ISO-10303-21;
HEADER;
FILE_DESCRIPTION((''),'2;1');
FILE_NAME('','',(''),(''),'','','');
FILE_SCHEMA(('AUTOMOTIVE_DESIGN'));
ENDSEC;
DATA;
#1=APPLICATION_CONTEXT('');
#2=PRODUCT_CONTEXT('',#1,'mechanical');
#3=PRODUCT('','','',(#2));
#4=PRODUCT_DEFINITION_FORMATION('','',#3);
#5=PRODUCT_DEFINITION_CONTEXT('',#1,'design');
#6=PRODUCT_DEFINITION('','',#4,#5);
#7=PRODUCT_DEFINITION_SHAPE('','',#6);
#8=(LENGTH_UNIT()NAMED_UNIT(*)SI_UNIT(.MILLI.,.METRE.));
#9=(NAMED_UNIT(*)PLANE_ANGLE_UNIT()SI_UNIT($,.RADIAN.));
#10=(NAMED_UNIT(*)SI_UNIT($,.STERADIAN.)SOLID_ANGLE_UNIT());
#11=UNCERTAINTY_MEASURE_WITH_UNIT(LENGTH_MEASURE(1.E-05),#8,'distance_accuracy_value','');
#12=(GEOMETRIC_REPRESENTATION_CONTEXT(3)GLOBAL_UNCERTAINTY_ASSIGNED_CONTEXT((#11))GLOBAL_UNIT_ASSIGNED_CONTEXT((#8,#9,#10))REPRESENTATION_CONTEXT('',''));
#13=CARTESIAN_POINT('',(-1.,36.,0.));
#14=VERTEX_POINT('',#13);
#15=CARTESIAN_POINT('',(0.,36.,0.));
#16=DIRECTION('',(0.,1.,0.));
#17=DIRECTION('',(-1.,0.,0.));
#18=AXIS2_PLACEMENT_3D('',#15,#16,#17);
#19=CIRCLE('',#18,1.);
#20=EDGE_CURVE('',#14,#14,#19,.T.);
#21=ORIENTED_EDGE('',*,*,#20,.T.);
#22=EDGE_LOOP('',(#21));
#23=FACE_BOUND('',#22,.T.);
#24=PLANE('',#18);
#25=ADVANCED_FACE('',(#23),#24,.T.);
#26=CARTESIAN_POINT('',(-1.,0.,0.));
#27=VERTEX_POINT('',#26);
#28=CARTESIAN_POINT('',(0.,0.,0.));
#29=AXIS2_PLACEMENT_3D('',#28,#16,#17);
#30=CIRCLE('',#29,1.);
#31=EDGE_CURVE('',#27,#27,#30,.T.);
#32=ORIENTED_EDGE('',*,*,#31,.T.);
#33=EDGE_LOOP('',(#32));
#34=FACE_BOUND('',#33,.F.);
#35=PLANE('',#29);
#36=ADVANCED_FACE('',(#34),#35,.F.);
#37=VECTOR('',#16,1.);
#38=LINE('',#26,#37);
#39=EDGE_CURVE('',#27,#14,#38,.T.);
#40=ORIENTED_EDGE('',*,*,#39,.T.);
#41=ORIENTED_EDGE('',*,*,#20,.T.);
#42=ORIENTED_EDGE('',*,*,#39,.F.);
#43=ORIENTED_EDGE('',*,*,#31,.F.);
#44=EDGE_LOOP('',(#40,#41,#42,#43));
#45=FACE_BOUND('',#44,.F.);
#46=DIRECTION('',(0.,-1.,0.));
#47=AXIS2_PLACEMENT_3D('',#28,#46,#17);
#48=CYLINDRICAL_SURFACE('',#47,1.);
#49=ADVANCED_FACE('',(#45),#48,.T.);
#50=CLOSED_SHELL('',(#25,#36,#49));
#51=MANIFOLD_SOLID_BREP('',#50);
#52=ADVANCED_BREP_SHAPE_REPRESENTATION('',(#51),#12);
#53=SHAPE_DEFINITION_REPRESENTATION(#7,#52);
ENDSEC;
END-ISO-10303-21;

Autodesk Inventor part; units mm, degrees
ref_plane "YZ Plane" through (0, 0, 0) normal (1, 0, 0) x (0, 1, 0)
ref_plane "XZ Plane" through (0, 0, 0) normal (0, 1, 0) x (-1, 0, 0)
ref_plane "XY Plane" through (0, 0, 0) normal (0, 0, 1) x (1, 0, 0)
sketch "Sketch1" plane through (0, 0, 0) normal (0, 1, 0) x (-1, 0, 0)
  circle A0 centre (0, 0) radius 1
  dimension "d0" = 2
extrude "Extrusion1" add sketch "Sketch1" along normal blind 36
properties part number "M2_pin"
